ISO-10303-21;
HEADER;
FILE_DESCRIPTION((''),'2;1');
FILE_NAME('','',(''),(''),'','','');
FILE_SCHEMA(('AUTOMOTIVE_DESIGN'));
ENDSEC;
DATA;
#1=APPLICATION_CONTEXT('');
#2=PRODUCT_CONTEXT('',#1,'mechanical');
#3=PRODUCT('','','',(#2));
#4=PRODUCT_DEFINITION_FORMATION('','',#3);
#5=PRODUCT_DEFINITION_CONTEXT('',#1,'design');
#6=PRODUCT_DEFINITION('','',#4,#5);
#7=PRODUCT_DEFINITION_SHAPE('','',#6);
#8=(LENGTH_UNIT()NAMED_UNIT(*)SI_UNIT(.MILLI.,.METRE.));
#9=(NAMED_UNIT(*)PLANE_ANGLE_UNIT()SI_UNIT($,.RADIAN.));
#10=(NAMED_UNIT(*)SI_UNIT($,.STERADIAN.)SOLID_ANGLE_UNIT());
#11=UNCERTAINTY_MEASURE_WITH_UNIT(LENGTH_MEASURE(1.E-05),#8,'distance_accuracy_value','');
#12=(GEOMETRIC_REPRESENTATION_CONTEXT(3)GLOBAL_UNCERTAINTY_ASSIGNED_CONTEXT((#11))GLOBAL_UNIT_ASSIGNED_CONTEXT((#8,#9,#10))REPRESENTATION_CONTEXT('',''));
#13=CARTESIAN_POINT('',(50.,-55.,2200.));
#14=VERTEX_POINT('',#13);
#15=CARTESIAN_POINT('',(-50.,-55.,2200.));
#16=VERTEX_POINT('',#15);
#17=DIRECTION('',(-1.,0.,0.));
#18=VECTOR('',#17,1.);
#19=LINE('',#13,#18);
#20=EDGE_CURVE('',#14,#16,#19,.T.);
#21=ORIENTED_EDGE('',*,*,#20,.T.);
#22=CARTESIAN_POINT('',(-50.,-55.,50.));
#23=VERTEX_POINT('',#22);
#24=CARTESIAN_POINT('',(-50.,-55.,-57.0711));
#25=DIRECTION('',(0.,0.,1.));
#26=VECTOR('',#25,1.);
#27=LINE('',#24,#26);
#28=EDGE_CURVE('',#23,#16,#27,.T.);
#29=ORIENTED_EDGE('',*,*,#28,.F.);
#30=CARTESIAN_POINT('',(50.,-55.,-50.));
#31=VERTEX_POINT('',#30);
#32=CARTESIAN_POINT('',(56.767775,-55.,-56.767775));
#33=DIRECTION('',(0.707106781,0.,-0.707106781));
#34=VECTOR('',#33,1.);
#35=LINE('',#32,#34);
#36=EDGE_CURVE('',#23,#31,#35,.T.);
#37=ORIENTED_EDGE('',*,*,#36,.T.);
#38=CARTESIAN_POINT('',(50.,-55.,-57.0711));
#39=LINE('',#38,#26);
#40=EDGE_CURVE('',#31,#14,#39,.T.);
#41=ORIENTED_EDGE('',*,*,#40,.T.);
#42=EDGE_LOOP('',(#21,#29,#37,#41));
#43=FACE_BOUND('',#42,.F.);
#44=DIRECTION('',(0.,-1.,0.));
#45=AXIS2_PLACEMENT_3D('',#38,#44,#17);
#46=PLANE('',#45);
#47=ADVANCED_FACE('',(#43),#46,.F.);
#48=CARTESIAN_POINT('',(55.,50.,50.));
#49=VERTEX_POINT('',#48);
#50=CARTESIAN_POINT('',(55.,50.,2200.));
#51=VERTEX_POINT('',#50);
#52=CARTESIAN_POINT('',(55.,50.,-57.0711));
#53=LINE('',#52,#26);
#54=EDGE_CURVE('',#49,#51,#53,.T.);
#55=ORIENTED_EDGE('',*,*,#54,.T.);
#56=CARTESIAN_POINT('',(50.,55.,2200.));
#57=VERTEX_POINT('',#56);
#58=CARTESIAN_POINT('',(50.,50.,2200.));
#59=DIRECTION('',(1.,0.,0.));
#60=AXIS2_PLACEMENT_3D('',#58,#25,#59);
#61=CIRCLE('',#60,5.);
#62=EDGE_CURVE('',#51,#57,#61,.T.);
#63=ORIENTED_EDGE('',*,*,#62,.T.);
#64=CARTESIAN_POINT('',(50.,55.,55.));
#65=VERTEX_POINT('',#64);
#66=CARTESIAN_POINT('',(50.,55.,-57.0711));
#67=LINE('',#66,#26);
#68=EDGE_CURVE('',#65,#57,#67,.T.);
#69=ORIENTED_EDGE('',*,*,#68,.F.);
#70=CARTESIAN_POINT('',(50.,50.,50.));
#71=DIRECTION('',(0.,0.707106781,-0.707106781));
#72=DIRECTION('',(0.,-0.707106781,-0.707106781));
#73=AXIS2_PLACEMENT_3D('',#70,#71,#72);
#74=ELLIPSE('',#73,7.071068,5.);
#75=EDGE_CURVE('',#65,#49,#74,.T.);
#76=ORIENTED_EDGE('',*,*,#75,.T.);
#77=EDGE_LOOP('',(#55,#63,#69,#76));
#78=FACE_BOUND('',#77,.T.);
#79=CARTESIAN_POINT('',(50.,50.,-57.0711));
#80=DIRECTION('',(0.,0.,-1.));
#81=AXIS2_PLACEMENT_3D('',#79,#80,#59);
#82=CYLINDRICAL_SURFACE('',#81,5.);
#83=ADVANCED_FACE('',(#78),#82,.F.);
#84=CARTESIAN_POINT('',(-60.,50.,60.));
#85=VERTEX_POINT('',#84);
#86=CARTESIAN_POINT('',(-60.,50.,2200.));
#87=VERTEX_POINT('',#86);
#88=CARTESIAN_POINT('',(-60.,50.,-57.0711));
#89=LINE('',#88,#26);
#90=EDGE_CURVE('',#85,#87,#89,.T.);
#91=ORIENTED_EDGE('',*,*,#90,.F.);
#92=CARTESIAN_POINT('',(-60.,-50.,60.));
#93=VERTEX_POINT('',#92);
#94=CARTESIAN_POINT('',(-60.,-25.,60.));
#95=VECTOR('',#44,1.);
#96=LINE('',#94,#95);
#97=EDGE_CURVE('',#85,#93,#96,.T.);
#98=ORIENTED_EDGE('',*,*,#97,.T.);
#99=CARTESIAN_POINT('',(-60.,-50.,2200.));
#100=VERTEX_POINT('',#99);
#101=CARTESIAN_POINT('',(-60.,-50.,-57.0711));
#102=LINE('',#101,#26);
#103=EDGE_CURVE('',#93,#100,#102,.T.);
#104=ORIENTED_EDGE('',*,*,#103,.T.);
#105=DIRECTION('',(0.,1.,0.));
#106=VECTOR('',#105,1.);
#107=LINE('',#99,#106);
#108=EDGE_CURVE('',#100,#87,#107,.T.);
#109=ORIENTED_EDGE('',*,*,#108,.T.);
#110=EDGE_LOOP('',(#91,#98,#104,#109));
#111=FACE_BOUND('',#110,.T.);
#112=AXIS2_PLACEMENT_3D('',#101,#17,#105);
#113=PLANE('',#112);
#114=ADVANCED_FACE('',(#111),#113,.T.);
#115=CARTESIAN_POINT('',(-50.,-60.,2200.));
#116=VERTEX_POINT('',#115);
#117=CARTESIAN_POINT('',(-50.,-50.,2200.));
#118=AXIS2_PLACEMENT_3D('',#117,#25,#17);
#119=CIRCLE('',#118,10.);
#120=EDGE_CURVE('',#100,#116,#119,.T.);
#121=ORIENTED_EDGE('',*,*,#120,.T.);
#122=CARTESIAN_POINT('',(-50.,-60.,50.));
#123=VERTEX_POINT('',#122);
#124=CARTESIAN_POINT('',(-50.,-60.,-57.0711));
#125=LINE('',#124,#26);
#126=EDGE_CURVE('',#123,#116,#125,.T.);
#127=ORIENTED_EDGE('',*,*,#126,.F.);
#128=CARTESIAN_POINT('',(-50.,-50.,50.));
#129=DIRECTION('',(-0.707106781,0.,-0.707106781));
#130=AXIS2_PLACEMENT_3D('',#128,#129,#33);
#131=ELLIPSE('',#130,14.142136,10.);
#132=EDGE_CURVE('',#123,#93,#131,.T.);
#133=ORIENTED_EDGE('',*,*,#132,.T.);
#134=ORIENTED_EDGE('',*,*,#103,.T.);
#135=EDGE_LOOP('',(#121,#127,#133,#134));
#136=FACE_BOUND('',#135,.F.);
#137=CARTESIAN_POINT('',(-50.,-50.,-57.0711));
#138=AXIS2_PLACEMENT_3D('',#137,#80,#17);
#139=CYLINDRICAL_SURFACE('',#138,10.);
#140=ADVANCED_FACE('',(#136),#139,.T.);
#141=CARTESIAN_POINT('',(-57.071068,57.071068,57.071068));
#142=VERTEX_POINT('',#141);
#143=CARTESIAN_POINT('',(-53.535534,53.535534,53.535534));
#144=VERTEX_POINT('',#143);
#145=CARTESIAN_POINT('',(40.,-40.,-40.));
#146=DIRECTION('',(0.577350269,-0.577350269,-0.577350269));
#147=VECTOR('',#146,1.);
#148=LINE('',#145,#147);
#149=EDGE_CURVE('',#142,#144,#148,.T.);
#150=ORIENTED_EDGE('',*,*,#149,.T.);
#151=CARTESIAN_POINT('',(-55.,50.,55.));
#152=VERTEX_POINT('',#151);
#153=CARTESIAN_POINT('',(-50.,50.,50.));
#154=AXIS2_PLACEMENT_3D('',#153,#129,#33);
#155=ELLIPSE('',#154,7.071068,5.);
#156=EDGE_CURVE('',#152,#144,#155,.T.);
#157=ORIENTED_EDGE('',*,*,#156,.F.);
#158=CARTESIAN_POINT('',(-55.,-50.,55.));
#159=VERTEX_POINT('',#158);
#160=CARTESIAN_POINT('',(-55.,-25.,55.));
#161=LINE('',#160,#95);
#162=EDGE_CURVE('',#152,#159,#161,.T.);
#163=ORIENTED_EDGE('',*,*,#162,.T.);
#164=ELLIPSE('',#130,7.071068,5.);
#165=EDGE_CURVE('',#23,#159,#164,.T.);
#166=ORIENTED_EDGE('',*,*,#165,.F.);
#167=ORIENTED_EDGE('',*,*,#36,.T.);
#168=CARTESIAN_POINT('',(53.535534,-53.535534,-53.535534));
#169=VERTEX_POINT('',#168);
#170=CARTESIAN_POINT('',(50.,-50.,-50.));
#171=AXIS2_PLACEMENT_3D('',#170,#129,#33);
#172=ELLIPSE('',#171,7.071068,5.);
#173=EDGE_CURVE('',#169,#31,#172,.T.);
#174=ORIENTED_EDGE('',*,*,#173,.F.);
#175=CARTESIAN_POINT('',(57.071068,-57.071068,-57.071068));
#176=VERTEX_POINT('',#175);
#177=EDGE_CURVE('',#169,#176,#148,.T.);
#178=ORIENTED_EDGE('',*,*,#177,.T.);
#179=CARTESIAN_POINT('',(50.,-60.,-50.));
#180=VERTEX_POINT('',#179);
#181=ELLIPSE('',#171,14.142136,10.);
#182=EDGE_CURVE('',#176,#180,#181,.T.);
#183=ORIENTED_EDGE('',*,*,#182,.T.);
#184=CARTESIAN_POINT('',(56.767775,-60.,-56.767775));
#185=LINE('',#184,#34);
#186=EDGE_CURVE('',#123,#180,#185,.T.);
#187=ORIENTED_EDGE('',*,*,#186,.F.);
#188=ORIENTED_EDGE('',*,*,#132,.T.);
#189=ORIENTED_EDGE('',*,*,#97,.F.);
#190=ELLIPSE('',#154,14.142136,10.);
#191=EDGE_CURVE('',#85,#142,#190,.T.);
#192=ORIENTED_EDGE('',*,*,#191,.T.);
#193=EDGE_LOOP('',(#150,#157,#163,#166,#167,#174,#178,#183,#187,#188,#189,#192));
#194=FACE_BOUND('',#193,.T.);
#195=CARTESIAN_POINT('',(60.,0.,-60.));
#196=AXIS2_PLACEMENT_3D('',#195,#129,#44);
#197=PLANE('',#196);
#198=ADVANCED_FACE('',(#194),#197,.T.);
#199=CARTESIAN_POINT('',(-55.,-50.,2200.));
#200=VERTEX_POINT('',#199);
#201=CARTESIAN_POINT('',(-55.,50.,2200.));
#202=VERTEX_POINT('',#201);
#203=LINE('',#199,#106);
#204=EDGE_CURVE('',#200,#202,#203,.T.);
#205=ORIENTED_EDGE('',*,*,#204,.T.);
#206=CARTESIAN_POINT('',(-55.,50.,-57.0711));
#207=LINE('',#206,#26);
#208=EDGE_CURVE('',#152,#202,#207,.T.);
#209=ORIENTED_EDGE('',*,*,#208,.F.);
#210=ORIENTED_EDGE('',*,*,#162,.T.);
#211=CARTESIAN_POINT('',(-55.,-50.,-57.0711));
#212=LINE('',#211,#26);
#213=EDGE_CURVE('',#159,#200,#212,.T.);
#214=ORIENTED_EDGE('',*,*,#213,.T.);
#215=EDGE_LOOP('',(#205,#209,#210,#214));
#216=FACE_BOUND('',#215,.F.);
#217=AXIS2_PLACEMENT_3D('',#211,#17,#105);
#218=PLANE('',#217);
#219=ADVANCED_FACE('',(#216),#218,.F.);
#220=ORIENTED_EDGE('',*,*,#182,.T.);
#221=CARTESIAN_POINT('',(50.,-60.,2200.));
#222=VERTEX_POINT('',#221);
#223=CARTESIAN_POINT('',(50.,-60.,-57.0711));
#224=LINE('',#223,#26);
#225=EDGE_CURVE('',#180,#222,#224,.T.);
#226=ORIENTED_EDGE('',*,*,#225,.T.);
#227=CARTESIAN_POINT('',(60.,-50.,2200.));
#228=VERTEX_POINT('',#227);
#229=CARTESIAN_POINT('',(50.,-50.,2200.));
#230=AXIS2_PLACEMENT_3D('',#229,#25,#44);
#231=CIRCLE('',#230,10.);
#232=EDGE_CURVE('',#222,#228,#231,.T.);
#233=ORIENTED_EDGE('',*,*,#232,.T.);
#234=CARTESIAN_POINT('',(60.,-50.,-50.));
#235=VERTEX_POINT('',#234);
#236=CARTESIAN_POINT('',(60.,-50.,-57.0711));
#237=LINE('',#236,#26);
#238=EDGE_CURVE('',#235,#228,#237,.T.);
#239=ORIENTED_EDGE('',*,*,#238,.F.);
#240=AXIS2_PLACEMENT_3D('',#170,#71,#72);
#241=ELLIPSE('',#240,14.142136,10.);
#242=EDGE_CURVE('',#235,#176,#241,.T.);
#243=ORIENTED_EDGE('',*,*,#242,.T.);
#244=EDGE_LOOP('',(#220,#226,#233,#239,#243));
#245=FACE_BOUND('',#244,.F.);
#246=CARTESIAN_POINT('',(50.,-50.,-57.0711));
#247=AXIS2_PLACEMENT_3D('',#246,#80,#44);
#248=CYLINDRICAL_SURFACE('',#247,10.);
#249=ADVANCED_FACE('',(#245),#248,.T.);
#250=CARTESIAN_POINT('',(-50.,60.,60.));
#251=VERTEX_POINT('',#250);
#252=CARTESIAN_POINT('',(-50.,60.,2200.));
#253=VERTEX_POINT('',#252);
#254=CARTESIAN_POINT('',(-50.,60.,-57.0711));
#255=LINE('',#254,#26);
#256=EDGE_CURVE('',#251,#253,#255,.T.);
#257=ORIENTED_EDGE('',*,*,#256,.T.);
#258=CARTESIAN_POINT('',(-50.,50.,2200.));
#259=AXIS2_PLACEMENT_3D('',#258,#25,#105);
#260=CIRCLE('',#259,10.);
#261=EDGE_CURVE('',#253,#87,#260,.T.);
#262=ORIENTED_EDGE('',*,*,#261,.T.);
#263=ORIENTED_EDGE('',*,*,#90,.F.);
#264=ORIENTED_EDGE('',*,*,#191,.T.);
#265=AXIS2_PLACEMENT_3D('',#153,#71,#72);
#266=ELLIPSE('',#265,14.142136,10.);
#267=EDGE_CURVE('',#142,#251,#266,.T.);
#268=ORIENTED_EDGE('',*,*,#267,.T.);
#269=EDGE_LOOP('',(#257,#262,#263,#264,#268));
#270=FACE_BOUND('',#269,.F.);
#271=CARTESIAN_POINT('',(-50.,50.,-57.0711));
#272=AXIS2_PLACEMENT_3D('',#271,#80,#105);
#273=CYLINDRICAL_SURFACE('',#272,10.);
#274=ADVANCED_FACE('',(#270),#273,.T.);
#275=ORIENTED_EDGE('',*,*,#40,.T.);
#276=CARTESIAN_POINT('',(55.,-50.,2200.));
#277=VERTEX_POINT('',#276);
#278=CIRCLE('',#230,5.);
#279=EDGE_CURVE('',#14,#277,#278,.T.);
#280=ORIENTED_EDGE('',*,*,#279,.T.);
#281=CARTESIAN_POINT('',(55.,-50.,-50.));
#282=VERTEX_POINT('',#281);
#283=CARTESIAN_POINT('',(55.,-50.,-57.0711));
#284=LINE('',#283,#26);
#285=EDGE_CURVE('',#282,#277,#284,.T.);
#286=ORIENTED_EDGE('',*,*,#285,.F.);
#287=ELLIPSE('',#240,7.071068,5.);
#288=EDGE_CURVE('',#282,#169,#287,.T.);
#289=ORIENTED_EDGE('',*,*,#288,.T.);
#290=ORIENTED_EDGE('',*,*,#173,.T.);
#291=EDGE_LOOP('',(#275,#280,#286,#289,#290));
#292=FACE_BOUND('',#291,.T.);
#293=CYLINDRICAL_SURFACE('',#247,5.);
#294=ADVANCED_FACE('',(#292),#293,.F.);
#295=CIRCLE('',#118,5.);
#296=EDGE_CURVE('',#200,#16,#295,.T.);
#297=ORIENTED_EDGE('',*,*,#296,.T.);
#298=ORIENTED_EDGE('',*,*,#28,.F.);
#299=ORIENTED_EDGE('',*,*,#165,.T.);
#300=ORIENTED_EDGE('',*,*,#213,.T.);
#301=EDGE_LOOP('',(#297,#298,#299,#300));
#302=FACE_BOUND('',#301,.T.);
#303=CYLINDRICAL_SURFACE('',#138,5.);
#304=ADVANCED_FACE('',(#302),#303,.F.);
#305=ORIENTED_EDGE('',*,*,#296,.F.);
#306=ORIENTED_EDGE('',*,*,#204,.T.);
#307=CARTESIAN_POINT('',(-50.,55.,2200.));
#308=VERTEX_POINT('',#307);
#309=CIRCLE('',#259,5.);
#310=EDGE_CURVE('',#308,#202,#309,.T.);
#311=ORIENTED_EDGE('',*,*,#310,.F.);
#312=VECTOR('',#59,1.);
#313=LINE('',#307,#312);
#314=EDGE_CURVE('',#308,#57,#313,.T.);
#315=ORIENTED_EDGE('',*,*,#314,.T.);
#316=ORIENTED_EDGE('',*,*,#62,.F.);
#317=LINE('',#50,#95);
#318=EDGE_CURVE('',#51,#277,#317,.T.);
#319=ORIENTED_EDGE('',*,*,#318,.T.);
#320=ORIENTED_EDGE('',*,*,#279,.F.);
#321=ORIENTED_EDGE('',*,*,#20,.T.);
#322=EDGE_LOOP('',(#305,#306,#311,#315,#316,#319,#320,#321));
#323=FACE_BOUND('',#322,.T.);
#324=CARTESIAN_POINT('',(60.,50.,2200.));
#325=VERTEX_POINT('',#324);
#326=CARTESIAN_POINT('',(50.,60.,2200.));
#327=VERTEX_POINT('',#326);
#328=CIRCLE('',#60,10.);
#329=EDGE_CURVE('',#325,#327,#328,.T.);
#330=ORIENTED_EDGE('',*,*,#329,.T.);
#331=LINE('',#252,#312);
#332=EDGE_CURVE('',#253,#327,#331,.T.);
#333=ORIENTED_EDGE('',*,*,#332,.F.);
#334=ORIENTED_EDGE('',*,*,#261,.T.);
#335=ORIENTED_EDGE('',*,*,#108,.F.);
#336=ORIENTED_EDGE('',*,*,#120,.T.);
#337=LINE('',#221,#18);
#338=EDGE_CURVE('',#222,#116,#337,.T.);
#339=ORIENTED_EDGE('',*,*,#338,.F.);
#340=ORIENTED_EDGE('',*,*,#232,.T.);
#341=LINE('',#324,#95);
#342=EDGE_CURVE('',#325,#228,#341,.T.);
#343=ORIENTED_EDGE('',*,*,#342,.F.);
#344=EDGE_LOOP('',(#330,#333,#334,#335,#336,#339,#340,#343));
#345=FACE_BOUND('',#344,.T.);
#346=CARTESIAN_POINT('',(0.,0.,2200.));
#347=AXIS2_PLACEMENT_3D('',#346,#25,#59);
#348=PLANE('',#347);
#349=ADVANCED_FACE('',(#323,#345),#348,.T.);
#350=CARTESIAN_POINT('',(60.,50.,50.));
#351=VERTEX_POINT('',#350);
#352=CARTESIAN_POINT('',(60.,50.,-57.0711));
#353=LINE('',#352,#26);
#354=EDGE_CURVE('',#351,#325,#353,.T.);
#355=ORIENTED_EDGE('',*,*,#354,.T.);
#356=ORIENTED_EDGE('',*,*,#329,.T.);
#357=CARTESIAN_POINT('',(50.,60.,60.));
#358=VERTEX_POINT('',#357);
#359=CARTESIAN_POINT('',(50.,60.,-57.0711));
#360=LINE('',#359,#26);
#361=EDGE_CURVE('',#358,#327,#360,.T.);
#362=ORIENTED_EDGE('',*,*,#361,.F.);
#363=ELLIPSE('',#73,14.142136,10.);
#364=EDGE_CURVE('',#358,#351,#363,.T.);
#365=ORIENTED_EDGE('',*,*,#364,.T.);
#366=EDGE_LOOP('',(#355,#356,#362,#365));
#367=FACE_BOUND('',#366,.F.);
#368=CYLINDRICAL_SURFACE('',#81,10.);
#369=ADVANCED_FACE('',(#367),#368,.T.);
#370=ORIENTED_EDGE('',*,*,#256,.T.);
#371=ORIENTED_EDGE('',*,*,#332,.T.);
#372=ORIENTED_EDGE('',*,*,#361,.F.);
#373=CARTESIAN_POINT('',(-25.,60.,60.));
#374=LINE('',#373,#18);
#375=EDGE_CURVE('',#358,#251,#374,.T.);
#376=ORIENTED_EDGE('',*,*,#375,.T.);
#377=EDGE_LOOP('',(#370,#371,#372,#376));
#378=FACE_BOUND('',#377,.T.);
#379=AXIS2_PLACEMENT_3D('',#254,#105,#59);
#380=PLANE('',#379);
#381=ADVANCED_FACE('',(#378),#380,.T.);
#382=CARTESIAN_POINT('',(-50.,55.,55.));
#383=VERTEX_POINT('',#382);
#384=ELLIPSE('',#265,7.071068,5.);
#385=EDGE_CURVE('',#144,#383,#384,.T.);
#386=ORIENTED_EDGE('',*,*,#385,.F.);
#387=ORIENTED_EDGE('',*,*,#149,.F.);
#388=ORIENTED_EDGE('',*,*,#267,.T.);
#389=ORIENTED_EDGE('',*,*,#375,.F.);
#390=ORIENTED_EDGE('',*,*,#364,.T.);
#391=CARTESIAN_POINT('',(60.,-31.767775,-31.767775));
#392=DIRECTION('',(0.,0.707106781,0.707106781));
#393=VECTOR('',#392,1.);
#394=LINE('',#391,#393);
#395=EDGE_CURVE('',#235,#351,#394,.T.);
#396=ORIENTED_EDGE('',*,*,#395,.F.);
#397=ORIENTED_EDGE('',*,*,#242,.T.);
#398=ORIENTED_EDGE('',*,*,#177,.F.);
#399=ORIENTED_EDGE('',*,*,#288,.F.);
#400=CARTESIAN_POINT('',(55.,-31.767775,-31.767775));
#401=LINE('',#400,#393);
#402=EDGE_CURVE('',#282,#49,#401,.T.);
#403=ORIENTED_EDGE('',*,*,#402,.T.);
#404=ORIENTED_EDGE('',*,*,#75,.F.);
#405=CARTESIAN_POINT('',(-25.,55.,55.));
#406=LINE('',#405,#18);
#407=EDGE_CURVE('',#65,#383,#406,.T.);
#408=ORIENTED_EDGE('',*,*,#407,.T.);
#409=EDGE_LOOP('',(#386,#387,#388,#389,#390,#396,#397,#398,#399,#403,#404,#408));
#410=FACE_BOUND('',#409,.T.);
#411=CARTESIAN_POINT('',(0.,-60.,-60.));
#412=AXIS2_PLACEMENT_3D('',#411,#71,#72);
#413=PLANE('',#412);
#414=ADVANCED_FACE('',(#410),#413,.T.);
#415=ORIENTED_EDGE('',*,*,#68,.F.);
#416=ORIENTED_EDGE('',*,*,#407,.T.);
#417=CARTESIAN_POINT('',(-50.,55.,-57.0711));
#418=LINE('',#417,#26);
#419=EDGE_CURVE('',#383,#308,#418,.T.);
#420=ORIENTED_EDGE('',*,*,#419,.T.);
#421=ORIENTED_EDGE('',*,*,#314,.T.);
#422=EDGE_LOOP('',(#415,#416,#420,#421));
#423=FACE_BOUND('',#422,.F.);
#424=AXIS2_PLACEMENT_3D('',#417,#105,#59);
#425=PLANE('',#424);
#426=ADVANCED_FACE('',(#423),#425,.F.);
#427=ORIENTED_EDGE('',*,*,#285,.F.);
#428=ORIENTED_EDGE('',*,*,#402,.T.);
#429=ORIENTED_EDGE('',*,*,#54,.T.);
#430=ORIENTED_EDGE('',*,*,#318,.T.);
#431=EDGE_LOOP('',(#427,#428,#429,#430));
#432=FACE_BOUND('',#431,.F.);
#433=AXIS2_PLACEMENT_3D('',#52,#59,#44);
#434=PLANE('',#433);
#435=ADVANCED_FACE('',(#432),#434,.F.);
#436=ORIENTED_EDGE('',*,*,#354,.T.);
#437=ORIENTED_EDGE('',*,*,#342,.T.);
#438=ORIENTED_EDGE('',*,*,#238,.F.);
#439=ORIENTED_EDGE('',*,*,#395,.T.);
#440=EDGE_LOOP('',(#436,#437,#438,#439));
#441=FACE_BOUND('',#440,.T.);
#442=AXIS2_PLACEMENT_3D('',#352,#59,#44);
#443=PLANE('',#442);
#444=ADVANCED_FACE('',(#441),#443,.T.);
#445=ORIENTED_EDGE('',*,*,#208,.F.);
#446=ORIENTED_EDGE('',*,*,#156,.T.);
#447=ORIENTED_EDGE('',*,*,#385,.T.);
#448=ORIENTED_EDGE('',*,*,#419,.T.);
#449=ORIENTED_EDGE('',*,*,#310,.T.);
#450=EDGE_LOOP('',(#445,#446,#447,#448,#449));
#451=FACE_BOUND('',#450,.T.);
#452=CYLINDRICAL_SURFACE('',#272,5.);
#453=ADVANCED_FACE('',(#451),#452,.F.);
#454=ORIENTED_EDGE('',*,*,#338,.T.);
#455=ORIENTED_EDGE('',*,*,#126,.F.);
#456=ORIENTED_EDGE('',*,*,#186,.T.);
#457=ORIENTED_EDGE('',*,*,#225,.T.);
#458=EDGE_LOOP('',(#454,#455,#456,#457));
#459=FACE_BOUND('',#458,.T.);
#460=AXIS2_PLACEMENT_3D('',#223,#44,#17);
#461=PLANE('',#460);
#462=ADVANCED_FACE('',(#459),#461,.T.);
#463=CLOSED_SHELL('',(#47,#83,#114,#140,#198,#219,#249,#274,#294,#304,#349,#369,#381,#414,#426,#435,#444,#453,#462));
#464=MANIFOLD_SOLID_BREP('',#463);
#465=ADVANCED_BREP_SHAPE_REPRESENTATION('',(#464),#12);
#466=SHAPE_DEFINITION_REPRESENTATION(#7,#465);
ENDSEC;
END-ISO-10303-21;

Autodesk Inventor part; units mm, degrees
ref_plane "Start Plane" through (0, 0, -57.0711) normal (0, 0, 1) x (1, 0, 0)
ref_plane "End Plane" through (0, 0, 2200) normal (0, 0, 1) x (1, 0, 0)
sketch "Sketch" plane through (0, 0, 0) normal (0, 0, 1) x (1, 0, 0)
  line L0 (-60, -50) -> (-60, 50)
  line L1 (-50, 60) -> (50, 60)
  line L2 (60, 50) -> (60, -50)
  line L3 (50, -60) -> (-50, -60)
  arc A0 (-60, -50) -> (-50, -60) centre (-50, -50) ccw
  arc A1 (60, 50) -> (50, 60) centre (50, 50) ccw
  arc A2 (-50, 60) -> (-60, 50) centre (-50, 50) ccw
  arc A3 (50, -60) -> (60, -50) centre (50, -50) ccw
  arc A4 (-50, 55) -> (-55, 50) centre (-50, 50) ccw
  line L4 (-50, 55) -> (50, 55)
  arc A5 (55, 50) -> (50, 55) centre (50, 50) ccw
  line L5 (55, 50) -> (55, -50)
  arc A6 (50, -55) -> (55, -50) centre (50, -50) ccw
  line L6 (50, -55) -> (-50, -55)
  arc A7 (-55, -50) -> (-50, -55) centre (-50, -50) ccw
  line L7 (-55, -50) -> (-55, 50)
  line L8 (0, 86.8995) -> (0, -86.8995) construction
  line L9 (-86.8995, 0) -> (86.8995, 0) construction
  dimension "d7" = 10
  dimension "d9" = 120
  dimension "d11" = 120
  dimension "d12" = 5
  dimension "d15" = 60
  dimension "d16" = 60
extrude "Body" add sketch "Sketch" along normal up to surface (2257.0711 mm away) from surface at -57.0711
sketch "Sketch3" plane through (0, 0, 0) normal (0, 0, 1) x (1, 0, 0)
  line L0 (0, 0) -> (10, 0)
ref_plane "Work Plane3" through (0, 0, 0) normal (0, -1, 0) x (1, 0, 0)
ref_plane "Work Plane4" through (60, 0, -60) normal (-0.7071, 0, -0.7071) x (-0.7071, 0, 0.7071)
split "Split1" plane through (60, 0, -60) removes the side toward (-0.7071, 0, -0.7071)
ref_plane "Work Plane5" through (0, -60, -60) normal (0, 0.7071, -0.7071) x (1, 0, 0)
split "Split2" plane through (0, -60, -60) removes the side toward (0, 0.7071, -0.7071)
sketch "Sketch4" plane through (0, 0, 0) normal (0, -1, 0) x (1, 0, 0)
  line L0 (-2, -57.0711) -> (12, -57.0711) projected
  line L1 (-2, 2200) -> (12, 2200) projected
  dimension "d18" = 2257.0711
equation "\"d7\" = G_IR"
equation "\"d9\" = G_W"
equation "\"d11\" = G_H"
equation "\"d12\" = G_T"
equation "\"d15\" = 0.5 * d9"
equation "\"d16\" = 0.5 * d11"
equation "\"d3\" = G_L"
equation "\"G_W\" = 120"
equation "\"G_H\" = 120"
equation "\"G_T\" = 5"
equation "\"G_IR\" = 10"
equation "\"G_L\" = d18"
equation "\"G_OFFSET_START\" = 57.07107"
equation "\"G_OFFSET_END\" = 0"
equation "\"d13\" = -G_OFFSET_START"
properties part number "ISO 10799-2 - 120x120x5 - 2257,07" material "Steel, Mild"
